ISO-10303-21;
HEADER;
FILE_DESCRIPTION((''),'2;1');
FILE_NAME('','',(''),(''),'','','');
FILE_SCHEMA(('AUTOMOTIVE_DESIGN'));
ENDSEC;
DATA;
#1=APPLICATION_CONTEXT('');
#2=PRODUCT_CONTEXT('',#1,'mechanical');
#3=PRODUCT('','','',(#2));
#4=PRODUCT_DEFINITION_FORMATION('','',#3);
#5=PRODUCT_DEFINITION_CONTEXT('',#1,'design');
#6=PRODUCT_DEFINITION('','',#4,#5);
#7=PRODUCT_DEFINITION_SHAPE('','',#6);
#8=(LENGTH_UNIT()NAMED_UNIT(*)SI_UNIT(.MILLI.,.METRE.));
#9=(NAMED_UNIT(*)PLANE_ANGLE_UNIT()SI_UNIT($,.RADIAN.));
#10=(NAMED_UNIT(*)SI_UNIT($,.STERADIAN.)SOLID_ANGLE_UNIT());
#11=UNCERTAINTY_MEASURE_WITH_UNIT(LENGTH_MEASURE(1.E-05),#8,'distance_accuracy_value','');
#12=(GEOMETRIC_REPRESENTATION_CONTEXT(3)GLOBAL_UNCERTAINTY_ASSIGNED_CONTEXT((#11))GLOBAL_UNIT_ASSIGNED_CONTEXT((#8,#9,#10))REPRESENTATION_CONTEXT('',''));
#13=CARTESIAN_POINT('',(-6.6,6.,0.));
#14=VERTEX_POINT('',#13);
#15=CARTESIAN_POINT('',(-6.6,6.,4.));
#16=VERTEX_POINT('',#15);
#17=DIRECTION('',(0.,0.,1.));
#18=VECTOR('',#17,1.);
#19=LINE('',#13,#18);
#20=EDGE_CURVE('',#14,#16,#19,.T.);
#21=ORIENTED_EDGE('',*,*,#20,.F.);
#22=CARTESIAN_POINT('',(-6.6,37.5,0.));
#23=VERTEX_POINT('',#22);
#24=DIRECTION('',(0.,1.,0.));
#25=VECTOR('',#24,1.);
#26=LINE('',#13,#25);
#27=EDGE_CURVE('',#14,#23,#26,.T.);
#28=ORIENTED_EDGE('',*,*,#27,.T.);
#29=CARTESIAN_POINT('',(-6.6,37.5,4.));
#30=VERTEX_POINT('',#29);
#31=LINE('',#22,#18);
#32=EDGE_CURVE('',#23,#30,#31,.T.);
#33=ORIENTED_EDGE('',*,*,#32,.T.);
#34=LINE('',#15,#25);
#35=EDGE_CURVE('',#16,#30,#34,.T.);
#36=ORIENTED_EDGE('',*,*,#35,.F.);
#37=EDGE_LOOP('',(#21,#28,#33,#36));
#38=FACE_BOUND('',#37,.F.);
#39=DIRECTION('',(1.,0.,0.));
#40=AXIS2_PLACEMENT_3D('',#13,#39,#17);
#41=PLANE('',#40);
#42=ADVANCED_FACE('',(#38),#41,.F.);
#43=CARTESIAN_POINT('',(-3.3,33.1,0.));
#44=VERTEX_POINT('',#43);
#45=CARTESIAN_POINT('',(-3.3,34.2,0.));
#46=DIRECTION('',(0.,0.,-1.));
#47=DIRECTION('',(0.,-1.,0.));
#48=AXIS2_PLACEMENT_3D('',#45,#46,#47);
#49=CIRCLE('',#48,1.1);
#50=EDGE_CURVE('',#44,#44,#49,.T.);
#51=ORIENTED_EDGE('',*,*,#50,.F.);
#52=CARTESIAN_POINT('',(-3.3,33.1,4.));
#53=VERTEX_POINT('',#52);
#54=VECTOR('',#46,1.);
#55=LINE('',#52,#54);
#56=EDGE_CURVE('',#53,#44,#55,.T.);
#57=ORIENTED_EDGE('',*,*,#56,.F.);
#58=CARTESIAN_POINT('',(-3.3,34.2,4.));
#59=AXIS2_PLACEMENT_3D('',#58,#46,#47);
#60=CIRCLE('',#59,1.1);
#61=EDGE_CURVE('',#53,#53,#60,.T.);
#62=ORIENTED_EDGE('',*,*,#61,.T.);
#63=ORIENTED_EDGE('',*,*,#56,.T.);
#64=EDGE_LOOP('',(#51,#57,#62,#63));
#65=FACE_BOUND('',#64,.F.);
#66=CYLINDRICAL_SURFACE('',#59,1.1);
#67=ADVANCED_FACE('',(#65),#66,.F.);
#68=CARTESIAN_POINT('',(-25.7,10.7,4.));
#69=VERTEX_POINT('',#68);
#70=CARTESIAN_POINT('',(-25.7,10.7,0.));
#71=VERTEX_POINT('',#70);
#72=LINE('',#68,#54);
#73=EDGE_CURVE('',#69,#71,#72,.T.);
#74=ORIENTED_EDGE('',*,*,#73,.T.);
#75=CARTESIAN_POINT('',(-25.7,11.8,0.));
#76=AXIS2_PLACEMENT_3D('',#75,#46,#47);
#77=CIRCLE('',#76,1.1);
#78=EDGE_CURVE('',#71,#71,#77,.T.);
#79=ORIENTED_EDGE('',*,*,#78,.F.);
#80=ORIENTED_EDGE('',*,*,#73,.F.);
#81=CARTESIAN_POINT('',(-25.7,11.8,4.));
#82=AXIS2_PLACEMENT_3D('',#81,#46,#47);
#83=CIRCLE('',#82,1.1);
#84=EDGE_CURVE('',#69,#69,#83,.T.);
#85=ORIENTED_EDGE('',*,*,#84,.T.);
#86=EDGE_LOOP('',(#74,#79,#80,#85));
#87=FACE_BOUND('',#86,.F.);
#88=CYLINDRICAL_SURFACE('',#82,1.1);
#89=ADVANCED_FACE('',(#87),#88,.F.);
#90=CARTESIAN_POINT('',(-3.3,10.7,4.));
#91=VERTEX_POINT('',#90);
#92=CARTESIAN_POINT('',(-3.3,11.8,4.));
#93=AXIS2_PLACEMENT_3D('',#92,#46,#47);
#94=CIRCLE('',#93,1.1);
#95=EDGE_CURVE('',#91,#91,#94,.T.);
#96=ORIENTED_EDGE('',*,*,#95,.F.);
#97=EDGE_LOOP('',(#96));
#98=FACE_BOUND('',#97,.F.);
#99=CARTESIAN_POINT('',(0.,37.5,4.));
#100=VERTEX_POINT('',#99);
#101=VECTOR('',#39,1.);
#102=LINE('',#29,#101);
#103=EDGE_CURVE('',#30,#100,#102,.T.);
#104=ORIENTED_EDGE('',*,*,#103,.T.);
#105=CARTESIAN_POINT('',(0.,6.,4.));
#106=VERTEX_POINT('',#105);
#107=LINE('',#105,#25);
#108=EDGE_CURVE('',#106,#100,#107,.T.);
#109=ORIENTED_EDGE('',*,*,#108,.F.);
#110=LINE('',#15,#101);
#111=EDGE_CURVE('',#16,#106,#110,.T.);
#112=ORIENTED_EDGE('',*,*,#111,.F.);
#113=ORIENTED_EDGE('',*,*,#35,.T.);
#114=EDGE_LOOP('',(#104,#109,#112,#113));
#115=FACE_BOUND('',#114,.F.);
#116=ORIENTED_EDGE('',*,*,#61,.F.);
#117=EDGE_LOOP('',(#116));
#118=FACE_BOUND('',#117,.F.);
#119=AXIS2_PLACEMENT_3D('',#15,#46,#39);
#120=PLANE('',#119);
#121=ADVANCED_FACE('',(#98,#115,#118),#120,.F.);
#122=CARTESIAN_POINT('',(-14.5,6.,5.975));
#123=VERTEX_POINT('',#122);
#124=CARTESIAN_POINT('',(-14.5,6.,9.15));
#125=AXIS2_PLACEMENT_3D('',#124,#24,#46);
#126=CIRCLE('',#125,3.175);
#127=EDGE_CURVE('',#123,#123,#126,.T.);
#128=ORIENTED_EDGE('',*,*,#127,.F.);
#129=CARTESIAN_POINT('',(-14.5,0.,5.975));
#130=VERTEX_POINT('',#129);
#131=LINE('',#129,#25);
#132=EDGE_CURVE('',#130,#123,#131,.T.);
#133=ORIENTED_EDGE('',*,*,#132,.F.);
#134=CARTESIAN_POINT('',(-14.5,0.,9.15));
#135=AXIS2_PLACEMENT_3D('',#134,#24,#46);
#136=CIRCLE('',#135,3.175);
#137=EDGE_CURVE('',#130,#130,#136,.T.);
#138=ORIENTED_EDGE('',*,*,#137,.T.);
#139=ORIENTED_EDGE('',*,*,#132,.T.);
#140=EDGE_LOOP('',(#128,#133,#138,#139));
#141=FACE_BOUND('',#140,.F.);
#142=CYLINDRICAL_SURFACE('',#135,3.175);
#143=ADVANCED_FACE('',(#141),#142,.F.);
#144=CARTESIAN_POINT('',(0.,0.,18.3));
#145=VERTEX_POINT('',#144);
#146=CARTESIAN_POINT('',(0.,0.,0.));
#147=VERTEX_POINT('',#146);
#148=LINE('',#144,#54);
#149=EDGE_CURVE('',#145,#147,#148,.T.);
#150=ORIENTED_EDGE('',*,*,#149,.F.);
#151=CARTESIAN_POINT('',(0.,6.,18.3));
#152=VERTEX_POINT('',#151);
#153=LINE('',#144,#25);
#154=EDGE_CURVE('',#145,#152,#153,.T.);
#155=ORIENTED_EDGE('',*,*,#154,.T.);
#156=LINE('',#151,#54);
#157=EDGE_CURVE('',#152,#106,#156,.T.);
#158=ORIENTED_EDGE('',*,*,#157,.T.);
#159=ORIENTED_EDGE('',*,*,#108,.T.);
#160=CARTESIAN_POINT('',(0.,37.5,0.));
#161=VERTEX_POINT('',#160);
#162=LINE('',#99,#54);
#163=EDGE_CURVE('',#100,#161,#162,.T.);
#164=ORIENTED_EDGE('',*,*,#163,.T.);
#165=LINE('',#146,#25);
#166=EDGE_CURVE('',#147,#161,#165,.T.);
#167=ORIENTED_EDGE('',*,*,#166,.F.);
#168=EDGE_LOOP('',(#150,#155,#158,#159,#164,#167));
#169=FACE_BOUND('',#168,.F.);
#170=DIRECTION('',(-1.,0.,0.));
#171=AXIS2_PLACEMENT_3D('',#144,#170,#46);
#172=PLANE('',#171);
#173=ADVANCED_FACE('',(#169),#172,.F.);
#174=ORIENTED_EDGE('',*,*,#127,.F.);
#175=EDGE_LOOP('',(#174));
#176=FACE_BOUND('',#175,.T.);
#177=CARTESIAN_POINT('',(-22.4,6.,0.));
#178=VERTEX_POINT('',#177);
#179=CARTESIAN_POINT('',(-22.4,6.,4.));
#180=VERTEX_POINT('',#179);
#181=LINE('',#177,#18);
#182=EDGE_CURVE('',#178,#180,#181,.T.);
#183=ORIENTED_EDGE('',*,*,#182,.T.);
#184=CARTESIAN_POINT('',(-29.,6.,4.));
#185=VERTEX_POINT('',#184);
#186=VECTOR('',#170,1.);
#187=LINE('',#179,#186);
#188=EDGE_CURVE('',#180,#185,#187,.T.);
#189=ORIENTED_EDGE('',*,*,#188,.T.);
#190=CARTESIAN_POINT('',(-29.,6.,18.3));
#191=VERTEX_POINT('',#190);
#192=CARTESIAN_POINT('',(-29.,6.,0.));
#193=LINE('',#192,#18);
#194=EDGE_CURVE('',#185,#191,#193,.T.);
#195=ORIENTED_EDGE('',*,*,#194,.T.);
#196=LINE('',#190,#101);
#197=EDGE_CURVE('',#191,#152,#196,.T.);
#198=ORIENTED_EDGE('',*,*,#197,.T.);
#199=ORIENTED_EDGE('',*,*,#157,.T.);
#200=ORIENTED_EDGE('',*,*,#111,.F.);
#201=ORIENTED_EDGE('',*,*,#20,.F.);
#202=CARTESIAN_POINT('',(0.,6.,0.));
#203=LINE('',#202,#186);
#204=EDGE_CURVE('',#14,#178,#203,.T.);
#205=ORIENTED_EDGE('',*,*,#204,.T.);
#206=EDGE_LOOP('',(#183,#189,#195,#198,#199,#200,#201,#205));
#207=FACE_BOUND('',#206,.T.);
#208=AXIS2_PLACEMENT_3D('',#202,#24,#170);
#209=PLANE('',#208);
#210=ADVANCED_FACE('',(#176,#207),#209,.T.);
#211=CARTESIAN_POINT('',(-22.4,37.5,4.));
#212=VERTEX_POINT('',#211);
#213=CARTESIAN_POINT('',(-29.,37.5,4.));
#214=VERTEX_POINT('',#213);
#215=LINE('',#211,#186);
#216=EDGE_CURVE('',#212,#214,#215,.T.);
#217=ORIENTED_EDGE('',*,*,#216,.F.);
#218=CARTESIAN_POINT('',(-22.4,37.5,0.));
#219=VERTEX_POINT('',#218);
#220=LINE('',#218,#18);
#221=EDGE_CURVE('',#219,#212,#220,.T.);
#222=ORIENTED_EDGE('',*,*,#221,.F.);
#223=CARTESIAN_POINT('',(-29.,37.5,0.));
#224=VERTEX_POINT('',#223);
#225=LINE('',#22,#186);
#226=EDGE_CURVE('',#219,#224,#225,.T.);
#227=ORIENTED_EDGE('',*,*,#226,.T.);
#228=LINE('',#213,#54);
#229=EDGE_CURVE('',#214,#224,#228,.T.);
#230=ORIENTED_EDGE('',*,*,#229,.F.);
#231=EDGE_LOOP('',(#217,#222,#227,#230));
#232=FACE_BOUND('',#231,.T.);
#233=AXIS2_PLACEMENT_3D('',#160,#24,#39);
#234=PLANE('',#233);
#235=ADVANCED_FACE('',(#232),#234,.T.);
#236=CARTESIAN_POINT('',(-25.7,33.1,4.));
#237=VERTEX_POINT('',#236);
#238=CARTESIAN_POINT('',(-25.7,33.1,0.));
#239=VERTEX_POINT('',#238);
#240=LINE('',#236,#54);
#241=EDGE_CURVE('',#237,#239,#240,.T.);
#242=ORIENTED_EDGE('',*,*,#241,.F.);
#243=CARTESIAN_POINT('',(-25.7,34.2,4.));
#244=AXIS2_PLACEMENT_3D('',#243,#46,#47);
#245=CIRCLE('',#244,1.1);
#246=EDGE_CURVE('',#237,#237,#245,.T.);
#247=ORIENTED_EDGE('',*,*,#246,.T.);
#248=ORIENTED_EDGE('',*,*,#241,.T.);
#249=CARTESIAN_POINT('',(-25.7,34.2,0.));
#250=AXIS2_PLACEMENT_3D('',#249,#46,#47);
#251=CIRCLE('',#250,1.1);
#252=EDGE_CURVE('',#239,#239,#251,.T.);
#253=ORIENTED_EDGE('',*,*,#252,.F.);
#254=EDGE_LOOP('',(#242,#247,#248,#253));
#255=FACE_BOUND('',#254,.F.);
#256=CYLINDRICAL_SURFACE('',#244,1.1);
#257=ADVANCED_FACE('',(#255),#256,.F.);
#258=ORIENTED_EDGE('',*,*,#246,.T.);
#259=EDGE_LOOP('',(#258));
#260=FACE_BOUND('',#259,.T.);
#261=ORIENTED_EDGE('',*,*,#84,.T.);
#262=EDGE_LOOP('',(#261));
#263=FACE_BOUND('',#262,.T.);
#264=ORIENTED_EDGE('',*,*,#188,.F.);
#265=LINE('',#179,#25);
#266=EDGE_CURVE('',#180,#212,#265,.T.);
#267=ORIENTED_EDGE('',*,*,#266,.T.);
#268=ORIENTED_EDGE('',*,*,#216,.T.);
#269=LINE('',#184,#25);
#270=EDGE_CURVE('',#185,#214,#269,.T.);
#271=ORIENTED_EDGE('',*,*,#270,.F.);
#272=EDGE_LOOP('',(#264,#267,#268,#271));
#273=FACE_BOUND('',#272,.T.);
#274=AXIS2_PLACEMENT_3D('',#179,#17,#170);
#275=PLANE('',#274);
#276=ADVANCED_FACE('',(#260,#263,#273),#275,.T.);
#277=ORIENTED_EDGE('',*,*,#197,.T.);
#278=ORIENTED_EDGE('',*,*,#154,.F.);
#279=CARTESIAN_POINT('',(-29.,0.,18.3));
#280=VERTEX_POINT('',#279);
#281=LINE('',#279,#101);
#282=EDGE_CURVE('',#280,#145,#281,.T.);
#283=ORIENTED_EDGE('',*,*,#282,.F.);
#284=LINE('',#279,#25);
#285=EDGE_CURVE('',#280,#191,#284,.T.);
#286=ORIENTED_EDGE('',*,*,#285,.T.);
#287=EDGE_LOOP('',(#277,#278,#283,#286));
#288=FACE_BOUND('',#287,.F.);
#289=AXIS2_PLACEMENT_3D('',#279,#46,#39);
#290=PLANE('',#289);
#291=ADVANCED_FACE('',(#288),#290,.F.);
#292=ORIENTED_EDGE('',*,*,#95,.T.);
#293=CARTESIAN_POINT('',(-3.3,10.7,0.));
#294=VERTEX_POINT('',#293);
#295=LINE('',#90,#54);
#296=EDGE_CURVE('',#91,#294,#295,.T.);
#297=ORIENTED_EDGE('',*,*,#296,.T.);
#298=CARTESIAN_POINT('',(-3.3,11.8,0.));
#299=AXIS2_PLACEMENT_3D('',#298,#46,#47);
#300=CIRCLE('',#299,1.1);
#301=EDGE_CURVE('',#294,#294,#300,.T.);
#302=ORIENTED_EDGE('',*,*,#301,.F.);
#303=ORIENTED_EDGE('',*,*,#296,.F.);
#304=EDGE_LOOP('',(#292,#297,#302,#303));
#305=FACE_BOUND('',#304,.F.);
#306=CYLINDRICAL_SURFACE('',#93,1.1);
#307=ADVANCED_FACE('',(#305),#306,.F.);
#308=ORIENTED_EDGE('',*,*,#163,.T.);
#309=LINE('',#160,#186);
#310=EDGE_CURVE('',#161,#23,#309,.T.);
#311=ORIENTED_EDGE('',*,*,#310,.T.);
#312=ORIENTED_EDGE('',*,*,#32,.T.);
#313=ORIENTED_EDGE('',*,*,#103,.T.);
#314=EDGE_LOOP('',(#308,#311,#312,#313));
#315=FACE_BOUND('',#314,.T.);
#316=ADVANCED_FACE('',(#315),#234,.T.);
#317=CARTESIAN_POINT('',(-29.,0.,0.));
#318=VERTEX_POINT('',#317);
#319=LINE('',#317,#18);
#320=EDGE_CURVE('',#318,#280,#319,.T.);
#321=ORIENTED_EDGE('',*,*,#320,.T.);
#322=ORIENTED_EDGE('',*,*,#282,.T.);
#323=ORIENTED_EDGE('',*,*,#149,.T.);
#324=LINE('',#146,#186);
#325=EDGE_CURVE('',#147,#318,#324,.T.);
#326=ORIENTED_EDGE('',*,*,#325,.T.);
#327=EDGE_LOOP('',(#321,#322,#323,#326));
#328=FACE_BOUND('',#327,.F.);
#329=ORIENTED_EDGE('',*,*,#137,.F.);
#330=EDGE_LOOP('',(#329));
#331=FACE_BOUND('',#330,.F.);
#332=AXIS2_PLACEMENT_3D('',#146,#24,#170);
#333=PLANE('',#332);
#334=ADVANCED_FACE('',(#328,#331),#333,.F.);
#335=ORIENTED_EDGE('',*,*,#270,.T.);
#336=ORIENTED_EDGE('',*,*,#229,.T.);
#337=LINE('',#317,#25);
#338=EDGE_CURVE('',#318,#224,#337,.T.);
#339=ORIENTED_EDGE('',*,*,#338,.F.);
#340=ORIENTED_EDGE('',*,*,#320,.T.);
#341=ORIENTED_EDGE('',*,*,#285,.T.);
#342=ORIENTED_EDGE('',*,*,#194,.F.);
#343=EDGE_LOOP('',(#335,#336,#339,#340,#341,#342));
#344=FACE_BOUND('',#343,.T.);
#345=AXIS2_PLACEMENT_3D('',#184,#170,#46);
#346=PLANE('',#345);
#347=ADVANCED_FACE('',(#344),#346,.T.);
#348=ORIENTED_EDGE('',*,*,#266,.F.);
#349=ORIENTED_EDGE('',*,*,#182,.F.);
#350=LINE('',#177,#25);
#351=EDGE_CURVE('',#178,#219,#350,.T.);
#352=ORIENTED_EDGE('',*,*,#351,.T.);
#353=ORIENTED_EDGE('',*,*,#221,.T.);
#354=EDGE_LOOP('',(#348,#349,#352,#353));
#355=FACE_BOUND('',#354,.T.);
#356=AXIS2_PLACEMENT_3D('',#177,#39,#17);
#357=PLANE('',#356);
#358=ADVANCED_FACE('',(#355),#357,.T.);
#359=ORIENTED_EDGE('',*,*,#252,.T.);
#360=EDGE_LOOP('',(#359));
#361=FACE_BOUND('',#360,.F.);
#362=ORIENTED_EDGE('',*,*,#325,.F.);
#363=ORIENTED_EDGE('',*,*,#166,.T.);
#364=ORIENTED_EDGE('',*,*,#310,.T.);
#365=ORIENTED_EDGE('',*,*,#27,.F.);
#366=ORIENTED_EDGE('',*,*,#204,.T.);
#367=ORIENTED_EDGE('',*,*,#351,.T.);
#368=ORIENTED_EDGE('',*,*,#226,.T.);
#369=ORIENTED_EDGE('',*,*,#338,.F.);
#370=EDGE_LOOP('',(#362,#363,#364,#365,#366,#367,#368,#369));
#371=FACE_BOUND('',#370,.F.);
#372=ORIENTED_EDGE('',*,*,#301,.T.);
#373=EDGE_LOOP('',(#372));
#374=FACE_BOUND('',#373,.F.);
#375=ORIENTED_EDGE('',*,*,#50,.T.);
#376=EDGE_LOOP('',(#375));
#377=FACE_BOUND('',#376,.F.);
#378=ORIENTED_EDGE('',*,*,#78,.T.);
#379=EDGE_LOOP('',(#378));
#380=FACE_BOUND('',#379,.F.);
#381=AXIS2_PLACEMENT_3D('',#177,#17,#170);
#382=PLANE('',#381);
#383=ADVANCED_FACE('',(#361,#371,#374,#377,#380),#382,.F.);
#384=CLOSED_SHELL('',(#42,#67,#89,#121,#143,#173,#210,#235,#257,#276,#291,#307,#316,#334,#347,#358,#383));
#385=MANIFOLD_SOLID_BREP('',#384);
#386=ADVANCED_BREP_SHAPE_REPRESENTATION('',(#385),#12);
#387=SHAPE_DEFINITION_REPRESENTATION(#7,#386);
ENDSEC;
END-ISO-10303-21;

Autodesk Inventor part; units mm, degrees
ref_plane "YZ Plane" through (0, 0, 0) normal (1, 0, 0) x (0, 1, 0)
ref_plane "XZ Plane" through (0, 0, 0) normal (0, 1, 0) x (-1, 0, 0)
ref_plane "XY Plane" through (0, 0, 0) normal (0, 0, 1) x (1, 0, 0)
sketch "Sketch1" plane through (0, 0, 0) normal (0, 1, 0) x (-1, 0, 0)
  line L0 (0, 0) -> (29, 0)
  line L1 (29, 0) -> (29, 18.3)
  line L2 (29, 18.3) -> (0, 18.3)
  line L3 (0, 18.3) -> (0, 0)
  dimension "d0" = 29
  dimension "d1" = 18.3
extrude "Extrusion1" add sketch "Sketch1" along normal blind 6
sketch "Sketch2" plane through (0, 6, 0) normal (0, 1, 0) x (1, 0, 0)
  line L0 (0, 0) -> (-29, 0) projected
  line L1 (0, 0) -> (-6.6, 0)
  line L2 (-6.6, 0) -> (-6.6, -4)
  line L3 (-6.6, -4) -> (0, -4)
  line L4 (0, -4) -> (0, 0)
  dimension "d4" = 6.6
  dimension "d5" = 4
extrude "Extrusion2" add sketch "Sketch2" along normal blind 31.5
sketch "Sketch3" plane through (0, 6, 0) normal (0, 1, 0) x (1, 0, 0)
  line L0 (-6.6, 0) -> (-29, 0) projected
  line L1 (-29, 0) -> (-22.4, 0)
  line L2 (-22.4, 0) -> (-22.4, -4)
  line L3 (-22.4, -4) -> (-29, -4)
  line L4 (-29, -4) -> (-29, 0)
  point P0 (0, 0)
  dimension "d8" = 6.6
  dimension "d9" = 4
extrude "Extrusion3" add sketch "Sketch3" along normal blind 31.5
sketch "Sketch4" plane through (-6.6, 6, 4) normal (0, 0, 1) x (1, 0, 0)
  line L0 (-22.4, 0) -> (6.6, 0) projected
  point P0 (6.6, -6)
  point P1 (3.3, 5.8)
  point P2 (3.3, 5.8)
  point P3 (3.3, 28.2)
  point P4 (-19.1, 5.8)
  point P5 (-19.1, 28.2)
  dimension "d14" = 5.8
  dimension "d15" = 22.4
  dimension "d16" = 22.4
  dimension "d17" = 22.4
  dimension "d18" = 5.8
hole "Hole1" at (-3.3, 11.8, 4) at (-3.3, 34.2, 4) at (-25.7, 11.8, 4) at (-25.7, 34.2, 4) direction (0, 0, -1) diameter 2.2 end through all
sketch "Sketch5" plane through (-29, 0, 18.3) normal (0, 0, 1) x (1, 0, 0)
  point P0 (29, 0)
sketch "Sketch6" plane through (0, 0, 0) normal (0, -1, 0) x (1, 0, 0)
  line L0 (-29, 18.3) -> (0, 18.3) projected
  point P0 (0, 0)
  point P1 (-14.5, 9.15)
  dimension "d26" = 9.15
hole "Hole2" at (-14.5, 0, 9.15) direction (0, 1, 0) diameter 6.35 end through all
properties part number "adapter"
